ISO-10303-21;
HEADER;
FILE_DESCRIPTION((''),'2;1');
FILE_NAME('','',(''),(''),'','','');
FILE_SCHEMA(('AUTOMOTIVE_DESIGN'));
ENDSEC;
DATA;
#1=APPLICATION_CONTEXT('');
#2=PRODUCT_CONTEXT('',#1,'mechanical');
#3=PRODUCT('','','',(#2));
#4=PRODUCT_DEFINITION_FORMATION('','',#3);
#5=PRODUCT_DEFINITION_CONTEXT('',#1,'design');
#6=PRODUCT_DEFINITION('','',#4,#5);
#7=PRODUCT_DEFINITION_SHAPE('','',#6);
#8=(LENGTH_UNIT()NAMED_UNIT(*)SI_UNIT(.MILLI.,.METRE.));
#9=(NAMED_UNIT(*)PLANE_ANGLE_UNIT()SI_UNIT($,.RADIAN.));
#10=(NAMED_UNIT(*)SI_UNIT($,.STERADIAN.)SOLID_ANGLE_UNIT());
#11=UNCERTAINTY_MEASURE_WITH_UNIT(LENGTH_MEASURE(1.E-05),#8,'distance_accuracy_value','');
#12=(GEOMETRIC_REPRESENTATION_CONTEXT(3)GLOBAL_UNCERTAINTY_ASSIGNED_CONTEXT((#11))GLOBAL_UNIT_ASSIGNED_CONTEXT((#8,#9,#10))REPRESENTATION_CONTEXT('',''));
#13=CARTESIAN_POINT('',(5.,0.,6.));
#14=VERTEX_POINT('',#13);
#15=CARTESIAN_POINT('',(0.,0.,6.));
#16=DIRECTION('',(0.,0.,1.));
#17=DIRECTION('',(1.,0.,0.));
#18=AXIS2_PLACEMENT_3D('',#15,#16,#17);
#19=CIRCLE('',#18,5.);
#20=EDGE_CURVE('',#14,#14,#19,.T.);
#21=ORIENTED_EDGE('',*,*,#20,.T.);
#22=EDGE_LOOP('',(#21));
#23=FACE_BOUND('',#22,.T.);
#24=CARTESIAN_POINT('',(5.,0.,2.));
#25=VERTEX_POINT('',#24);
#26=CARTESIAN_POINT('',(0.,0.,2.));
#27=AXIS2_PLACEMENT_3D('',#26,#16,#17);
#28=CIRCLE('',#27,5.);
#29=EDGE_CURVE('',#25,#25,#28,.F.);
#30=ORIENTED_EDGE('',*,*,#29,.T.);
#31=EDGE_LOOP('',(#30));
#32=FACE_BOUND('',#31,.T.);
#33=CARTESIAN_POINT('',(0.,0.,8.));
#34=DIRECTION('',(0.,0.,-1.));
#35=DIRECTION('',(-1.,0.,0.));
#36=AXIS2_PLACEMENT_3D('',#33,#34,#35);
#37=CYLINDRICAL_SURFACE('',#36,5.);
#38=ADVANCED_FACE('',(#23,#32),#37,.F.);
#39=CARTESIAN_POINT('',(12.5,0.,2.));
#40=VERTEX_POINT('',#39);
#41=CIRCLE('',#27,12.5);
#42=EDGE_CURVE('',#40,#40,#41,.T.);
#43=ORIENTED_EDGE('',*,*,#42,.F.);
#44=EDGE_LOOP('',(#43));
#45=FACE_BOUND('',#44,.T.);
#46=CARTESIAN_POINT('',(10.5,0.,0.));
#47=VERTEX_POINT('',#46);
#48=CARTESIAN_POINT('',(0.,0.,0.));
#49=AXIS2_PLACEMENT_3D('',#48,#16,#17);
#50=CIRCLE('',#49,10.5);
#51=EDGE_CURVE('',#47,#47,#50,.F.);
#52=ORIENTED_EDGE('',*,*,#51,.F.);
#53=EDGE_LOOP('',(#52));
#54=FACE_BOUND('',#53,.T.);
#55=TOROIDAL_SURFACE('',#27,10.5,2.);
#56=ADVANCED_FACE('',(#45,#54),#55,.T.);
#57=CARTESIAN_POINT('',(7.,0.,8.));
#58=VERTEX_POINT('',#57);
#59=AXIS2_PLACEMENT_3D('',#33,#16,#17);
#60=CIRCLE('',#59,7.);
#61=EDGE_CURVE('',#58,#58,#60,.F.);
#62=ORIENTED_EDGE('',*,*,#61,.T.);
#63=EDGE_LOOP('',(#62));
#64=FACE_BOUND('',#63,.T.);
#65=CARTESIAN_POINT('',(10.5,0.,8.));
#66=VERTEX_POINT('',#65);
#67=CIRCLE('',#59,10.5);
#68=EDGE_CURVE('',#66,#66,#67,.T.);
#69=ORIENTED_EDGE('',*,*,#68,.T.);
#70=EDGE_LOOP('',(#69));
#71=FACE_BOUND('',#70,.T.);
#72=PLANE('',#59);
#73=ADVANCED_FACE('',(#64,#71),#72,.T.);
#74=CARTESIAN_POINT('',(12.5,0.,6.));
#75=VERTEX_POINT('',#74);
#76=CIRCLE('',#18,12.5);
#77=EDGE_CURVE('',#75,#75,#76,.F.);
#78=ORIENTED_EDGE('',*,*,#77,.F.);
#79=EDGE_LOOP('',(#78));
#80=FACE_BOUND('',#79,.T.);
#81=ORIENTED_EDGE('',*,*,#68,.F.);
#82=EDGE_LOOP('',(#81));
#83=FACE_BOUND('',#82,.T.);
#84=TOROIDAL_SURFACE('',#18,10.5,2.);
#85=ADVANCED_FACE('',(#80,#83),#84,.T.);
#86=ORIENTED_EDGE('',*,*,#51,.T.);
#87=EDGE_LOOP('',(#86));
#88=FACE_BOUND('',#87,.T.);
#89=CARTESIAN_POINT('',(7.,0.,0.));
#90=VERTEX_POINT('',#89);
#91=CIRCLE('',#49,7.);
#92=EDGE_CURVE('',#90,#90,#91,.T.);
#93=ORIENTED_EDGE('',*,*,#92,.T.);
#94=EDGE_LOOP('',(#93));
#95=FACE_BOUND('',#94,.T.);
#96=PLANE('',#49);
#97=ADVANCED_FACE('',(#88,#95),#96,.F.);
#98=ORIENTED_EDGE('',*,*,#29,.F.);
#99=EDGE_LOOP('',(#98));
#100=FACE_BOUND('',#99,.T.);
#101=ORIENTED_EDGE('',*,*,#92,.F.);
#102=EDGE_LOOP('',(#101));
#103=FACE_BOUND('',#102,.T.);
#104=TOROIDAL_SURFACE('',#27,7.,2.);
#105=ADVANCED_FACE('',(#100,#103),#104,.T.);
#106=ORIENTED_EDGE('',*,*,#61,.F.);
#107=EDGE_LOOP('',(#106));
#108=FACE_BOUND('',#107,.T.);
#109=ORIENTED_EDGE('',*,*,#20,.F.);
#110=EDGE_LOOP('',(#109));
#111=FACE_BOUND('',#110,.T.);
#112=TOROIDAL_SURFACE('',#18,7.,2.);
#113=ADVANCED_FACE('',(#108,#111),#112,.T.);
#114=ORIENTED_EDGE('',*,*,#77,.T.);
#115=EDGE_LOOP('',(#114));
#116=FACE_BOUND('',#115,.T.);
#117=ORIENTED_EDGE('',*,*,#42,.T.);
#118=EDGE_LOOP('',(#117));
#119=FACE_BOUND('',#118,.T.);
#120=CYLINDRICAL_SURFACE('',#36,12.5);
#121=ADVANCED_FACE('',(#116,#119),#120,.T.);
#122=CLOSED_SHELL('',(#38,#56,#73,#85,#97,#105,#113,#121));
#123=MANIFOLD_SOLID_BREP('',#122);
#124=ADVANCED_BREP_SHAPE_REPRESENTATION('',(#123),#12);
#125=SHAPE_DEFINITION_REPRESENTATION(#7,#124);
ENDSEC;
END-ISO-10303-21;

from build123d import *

# Parameters (mm, degrees)
SKETCH_1_R      = 12.5
SKETCH_1_R_2    = 5
EXTRUDE_1_DEPTH = 8
FILLET_1_R      = 2


with BuildPart() as part:
    # Эскиз1 → Вытянуть1 (new body)
    with BuildSketch(Plane.XY):
        Circle(SKETCH_1_R)
        Circle(SKETCH_1_R_2, mode=Mode.SUBTRACT)
    extrude(amount=EXTRUDE_1_DEPTH)

    # Скругление1
    fillet_1_edges = [part.edges().sort_by_distance(p)[0] for p in [
        (-12.5, 0, 0),
        (-12.5, 0, 8),
        (-5, 0, 0),
        (-5, 0, 8),
    ]]
    fillet(fillet_1_edges, radius=FILLET_1_R)


solid = part.part
